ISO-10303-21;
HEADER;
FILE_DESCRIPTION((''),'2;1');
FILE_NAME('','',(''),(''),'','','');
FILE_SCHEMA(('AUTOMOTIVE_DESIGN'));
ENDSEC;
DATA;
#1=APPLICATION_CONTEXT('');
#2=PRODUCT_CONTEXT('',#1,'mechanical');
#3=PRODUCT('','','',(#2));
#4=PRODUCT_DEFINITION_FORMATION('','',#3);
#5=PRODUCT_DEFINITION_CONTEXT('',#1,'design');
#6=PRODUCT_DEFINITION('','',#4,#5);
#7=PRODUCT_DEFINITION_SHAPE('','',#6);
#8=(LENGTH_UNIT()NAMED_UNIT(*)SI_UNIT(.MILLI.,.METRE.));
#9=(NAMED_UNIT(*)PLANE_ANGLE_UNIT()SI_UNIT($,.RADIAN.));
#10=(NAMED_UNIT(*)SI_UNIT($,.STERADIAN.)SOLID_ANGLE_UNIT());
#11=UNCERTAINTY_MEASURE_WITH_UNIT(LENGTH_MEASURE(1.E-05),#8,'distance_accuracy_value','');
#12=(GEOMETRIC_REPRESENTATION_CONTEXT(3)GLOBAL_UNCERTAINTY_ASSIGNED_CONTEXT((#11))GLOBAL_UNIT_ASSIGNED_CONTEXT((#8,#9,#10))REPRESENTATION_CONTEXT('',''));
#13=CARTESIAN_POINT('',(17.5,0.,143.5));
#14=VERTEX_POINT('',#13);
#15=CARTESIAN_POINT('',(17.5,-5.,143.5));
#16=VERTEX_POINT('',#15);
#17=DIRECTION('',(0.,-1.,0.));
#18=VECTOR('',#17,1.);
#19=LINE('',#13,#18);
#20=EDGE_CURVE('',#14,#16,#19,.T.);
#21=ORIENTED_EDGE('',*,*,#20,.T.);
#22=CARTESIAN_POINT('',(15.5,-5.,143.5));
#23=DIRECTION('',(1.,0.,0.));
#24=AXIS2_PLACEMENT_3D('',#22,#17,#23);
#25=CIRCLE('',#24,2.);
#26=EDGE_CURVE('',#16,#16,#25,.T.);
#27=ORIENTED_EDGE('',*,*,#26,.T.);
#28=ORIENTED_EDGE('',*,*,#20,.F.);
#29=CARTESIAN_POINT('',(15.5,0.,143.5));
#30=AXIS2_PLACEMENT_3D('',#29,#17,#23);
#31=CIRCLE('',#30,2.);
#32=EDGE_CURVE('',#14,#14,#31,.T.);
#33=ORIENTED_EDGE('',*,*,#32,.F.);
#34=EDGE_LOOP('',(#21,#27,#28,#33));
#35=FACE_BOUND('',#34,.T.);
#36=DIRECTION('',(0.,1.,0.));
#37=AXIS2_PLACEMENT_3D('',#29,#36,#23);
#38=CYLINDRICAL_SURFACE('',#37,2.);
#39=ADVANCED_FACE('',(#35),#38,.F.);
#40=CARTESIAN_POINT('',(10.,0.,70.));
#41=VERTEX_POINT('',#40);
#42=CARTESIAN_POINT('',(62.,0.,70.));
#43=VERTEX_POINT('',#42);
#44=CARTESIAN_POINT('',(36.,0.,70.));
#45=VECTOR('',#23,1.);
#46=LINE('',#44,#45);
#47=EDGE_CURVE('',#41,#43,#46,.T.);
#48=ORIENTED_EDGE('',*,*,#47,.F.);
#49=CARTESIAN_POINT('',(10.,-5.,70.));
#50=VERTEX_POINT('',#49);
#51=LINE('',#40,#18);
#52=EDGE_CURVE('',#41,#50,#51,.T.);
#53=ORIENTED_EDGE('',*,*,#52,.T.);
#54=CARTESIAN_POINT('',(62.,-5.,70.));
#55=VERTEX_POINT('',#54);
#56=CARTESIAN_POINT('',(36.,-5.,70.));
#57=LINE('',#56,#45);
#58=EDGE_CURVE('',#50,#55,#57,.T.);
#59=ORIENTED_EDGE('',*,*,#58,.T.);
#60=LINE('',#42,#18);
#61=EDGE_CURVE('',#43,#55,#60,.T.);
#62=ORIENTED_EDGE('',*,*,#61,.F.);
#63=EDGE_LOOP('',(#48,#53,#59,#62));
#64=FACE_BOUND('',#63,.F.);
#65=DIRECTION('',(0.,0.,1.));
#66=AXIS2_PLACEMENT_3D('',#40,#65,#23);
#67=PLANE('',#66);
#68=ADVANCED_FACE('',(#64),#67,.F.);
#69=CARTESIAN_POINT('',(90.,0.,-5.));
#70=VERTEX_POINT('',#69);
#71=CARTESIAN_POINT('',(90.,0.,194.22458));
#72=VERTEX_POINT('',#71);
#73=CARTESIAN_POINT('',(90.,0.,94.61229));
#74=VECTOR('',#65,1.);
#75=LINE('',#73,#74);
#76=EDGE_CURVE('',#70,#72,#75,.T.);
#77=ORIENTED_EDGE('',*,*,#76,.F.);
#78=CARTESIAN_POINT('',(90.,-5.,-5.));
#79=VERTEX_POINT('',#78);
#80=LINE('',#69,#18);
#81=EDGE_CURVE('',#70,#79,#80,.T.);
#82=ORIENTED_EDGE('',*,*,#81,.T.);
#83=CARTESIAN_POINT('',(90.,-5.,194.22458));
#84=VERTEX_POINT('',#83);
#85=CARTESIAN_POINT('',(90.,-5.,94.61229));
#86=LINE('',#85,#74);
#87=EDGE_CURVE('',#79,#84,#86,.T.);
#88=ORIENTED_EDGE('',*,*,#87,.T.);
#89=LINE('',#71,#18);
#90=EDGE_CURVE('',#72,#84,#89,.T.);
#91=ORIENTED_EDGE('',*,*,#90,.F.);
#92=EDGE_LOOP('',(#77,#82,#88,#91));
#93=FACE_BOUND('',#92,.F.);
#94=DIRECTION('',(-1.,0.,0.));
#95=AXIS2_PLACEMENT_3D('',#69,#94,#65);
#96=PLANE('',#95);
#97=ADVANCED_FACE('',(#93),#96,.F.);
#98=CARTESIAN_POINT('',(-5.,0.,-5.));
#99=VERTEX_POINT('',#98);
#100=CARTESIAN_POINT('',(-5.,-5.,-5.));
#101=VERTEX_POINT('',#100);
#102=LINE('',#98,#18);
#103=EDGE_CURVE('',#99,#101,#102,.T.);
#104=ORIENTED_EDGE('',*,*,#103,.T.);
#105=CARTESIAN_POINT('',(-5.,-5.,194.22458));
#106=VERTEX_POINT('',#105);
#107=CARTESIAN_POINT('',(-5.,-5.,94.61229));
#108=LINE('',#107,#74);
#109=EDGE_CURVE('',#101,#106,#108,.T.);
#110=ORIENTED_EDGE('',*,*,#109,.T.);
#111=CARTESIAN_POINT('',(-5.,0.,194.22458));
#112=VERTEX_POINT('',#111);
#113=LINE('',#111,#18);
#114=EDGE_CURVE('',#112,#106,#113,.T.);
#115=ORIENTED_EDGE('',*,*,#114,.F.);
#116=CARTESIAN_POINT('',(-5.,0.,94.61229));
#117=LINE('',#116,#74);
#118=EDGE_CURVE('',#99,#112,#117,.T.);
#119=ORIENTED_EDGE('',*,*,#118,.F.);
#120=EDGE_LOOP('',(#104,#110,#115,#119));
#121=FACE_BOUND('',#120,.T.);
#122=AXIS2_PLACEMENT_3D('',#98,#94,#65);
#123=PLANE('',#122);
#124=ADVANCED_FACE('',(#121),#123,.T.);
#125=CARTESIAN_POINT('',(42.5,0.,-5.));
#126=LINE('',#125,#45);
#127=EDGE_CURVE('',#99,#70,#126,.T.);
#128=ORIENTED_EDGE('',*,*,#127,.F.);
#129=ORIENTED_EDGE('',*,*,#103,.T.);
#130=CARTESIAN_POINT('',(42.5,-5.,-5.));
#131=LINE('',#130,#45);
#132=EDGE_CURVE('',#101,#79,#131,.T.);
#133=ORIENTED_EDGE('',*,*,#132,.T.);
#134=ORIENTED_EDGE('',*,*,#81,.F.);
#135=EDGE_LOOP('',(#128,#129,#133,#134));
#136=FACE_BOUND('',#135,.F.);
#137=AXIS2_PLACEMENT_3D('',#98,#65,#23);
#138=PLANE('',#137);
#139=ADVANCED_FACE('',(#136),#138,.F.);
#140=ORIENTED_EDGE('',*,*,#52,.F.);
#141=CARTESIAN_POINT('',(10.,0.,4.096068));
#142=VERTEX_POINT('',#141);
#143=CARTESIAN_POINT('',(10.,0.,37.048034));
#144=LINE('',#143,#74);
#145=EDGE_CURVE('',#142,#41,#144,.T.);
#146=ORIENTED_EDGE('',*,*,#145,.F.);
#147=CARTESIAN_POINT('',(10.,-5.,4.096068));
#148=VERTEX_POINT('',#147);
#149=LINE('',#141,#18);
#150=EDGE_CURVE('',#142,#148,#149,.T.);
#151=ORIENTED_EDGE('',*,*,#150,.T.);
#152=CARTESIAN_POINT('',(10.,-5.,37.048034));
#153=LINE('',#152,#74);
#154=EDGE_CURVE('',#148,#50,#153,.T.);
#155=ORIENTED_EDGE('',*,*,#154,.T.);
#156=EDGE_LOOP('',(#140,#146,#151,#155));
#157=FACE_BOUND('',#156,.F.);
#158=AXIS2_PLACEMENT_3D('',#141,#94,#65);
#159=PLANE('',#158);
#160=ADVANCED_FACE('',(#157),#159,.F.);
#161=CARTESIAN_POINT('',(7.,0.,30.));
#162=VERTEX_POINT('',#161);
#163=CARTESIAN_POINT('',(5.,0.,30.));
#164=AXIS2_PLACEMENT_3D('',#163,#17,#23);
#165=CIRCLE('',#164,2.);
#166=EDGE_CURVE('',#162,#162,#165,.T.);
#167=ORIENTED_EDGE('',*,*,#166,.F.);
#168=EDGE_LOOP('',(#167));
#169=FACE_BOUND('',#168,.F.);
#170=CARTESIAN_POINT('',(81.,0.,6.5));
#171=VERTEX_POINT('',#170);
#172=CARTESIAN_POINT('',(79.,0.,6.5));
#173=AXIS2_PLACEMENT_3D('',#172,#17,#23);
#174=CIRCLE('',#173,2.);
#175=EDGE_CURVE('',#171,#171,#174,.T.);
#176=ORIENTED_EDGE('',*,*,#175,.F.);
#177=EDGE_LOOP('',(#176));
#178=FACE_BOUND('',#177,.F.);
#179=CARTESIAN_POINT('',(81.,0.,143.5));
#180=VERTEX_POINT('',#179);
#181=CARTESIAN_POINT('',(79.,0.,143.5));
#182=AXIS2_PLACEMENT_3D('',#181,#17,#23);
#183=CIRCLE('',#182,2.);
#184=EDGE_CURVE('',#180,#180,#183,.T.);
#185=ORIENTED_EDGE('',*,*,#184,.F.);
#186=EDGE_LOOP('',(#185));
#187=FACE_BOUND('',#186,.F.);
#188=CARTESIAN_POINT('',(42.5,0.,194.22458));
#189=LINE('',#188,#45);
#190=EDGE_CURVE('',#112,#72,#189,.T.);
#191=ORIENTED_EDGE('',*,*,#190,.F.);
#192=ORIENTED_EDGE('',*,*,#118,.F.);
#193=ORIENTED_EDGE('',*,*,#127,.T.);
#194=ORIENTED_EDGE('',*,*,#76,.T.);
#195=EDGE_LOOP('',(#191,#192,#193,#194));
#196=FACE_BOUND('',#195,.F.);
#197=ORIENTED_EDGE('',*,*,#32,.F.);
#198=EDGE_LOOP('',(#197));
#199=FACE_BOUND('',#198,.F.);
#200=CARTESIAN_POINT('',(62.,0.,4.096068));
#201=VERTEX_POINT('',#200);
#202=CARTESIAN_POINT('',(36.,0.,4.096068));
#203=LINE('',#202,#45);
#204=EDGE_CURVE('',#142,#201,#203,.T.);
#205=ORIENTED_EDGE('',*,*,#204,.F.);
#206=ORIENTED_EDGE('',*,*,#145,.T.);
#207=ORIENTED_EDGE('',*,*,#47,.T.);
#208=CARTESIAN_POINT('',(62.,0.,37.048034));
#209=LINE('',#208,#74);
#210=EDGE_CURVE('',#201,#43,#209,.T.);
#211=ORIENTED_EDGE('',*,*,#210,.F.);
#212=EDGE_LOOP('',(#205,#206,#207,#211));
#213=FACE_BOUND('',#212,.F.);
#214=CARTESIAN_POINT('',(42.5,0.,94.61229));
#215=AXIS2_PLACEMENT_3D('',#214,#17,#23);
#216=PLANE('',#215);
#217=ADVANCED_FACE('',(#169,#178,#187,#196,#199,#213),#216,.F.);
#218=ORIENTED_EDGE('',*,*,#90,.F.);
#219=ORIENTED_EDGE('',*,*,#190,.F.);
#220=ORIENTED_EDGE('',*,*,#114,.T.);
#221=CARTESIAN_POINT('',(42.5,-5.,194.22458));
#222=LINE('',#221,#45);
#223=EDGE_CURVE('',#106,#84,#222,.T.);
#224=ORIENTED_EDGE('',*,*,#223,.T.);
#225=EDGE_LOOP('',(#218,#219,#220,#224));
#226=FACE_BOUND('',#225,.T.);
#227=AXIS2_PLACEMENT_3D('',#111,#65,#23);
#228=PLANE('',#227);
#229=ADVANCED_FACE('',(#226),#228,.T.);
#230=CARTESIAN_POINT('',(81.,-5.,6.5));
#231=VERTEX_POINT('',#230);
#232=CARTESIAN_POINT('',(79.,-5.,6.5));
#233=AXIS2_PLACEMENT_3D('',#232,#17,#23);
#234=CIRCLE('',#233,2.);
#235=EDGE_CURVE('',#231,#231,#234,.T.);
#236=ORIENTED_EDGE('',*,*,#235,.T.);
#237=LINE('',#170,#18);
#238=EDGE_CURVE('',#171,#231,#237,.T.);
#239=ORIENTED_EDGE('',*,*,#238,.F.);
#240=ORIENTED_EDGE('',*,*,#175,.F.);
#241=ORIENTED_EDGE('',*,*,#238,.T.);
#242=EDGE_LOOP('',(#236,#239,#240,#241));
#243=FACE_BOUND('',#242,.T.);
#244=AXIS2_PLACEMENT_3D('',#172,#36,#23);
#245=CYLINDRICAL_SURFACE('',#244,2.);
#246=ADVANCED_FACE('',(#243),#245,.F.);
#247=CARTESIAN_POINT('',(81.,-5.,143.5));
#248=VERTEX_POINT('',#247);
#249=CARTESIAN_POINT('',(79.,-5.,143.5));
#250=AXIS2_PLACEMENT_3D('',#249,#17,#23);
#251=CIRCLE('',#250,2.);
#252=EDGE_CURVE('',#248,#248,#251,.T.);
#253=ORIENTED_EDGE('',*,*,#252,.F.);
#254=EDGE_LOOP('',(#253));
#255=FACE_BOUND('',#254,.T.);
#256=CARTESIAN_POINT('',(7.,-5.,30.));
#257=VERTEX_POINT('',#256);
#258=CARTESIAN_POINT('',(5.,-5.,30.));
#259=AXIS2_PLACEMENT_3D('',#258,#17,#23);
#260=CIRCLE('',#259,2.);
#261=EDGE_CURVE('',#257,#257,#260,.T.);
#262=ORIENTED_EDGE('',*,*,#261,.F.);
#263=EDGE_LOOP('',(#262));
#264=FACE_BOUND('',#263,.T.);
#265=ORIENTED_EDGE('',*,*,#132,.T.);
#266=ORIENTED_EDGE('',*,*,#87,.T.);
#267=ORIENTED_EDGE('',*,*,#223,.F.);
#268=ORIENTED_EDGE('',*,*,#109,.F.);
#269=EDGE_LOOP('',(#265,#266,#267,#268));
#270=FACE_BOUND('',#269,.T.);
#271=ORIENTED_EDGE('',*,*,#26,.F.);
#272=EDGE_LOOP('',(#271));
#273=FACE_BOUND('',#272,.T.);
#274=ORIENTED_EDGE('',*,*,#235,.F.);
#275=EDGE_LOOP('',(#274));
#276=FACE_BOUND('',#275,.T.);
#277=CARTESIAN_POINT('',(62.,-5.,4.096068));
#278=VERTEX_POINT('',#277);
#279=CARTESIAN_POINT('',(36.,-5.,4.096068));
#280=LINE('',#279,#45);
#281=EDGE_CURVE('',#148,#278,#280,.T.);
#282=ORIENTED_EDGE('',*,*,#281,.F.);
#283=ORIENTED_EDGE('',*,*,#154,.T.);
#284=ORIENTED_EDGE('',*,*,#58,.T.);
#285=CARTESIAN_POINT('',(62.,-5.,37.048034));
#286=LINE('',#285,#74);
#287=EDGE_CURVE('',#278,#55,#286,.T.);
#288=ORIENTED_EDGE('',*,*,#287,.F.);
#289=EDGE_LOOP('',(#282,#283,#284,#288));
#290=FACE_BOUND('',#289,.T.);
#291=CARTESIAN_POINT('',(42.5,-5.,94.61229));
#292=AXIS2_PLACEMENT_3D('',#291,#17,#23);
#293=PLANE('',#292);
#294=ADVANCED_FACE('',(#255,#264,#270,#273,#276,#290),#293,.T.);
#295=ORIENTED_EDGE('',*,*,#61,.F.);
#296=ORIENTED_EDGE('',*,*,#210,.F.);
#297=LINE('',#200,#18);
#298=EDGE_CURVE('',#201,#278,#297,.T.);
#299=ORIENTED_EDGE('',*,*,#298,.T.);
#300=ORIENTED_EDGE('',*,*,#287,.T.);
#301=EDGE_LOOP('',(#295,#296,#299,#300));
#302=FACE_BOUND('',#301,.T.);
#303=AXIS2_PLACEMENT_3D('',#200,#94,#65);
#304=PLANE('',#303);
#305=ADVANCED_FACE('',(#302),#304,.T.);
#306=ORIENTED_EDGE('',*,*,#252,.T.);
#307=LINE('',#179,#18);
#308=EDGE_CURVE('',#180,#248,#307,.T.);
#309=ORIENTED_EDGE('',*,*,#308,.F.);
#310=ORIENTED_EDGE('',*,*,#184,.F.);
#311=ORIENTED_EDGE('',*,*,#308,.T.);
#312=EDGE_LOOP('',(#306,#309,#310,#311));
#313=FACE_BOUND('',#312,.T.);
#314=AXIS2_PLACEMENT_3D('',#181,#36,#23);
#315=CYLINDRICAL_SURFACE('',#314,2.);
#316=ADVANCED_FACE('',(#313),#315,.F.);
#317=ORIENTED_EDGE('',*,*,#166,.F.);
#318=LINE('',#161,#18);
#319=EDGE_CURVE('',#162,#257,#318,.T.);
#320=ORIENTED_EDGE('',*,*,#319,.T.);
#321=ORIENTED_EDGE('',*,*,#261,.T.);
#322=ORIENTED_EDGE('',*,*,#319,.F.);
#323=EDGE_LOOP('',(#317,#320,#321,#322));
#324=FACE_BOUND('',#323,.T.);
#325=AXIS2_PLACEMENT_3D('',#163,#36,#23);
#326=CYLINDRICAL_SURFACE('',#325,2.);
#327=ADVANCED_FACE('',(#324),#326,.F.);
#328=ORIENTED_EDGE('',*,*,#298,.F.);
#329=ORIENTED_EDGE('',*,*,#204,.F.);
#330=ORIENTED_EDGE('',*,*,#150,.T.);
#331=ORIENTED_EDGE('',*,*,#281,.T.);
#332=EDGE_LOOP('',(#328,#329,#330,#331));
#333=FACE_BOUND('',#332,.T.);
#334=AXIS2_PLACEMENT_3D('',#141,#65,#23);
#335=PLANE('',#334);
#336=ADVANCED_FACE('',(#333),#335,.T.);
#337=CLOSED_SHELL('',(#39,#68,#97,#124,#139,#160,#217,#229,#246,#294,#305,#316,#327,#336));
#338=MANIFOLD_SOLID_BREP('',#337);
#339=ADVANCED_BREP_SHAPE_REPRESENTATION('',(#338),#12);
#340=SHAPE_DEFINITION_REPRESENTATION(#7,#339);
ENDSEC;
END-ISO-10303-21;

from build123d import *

# Parameters (mm, degrees)
F0_W     = 95
F0_H     = 199.22458
F0_R     = 2
F0_W_2   = 52
F0_H_2   = 65.903932
F1_DEPTH = 5


with BuildPart() as f1:
    # F0 (on Front) → F1 (new body)
    with BuildSketch(Plane.XZ):
        with Locations((42.5, 94.61229)):
            Rectangle(F0_W, F0_H)
        with Locations((5, 30)):
            Circle(F0_R, mode=Mode.SUBTRACT)
        with Locations((36, 37.048034)):
            Rectangle(F0_W_2, F0_H_2, mode=Mode.SUBTRACT)
        with Locations((79, 6.5)):
            Circle(F0_R, mode=Mode.SUBTRACT)
        with Locations((15.5, 143.5)):
            Circle(F0_R, mode=Mode.SUBTRACT)
        with Locations((79, 143.5)):
            Circle(F0_R, mode=Mode.SUBTRACT)
    extrude(amount=F1_DEPTH)


solid = f1.part
